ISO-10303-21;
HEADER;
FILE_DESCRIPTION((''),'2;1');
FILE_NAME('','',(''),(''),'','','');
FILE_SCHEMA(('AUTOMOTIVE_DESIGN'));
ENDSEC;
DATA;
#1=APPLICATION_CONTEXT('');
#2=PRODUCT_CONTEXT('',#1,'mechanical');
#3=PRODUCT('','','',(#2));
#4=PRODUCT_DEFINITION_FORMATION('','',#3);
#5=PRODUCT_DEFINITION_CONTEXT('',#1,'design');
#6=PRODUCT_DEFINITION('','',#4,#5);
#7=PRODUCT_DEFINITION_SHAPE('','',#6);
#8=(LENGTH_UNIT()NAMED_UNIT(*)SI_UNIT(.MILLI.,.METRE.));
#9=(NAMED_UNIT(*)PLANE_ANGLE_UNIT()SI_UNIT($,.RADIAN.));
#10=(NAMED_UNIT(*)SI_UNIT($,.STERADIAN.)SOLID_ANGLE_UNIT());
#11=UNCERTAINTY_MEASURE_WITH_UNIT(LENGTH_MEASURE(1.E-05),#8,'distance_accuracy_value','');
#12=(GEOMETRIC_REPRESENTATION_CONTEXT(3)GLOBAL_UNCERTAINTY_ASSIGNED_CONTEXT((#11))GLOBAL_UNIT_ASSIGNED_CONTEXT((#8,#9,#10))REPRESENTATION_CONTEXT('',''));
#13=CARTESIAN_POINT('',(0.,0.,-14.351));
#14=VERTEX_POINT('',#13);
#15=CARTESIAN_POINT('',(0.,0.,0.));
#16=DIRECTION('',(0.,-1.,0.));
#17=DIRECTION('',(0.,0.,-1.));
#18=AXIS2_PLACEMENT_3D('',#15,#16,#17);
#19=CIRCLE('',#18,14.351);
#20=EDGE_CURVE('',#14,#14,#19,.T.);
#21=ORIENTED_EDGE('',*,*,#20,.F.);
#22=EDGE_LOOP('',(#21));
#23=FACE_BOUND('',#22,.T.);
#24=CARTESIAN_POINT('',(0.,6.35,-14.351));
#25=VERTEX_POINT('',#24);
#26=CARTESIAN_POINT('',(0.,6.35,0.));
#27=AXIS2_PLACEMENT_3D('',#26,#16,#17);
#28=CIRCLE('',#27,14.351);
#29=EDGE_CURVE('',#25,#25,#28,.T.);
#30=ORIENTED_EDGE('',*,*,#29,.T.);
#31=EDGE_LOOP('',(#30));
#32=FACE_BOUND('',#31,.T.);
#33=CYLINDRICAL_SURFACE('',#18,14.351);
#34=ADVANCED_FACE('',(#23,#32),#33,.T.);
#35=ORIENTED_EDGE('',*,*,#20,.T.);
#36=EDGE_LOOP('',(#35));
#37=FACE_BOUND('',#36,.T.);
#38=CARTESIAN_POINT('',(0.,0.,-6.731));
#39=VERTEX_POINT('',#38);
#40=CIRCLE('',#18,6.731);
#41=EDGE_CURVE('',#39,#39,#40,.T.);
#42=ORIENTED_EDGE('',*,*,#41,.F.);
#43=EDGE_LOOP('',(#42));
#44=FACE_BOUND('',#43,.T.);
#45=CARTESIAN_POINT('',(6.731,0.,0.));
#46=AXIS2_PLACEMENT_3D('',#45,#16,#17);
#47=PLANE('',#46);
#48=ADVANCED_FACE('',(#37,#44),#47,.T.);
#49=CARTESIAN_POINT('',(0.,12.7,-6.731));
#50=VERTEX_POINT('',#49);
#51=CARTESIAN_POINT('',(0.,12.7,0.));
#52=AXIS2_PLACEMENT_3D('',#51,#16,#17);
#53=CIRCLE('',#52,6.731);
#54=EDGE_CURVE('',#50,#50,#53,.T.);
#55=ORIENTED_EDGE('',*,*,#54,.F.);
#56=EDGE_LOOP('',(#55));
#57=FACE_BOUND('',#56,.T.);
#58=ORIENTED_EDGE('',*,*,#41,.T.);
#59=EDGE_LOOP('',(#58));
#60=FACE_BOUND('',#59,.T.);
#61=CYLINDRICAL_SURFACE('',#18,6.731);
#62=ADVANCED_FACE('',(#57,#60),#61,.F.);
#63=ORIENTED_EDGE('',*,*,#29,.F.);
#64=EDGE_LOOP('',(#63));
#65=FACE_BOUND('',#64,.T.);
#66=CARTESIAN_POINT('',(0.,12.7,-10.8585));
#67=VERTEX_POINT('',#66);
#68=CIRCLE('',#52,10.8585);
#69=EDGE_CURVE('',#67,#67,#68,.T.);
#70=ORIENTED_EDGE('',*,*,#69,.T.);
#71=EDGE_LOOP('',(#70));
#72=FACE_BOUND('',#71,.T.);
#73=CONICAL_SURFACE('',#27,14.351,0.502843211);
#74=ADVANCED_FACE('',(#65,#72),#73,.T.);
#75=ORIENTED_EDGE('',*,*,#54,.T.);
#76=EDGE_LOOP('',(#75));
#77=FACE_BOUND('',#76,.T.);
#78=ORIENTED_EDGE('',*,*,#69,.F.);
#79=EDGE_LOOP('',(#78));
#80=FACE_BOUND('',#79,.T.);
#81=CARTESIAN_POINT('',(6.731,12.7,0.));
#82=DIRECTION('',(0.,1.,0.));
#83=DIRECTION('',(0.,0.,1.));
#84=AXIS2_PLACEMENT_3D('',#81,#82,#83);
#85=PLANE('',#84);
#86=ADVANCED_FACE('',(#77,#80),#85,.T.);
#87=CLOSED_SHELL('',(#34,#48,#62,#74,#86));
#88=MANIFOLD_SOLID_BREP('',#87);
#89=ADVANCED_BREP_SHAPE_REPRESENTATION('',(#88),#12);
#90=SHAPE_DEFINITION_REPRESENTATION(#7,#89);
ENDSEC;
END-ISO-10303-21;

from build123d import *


with BuildPart() as part:
    # Sketch1 → Revolve1 (revolve)
    with BuildSketch(Plane.XY, mode=Mode.PRIVATE) as revolve1_sk:
        Polygon((6.731, 0), (14.351, 0), (14.351, 6.35), (10.8585, 12.7), (6.731, 12.7), align=None)
    revolve(revolve1_sk.sketch.rotate(Axis((0, 0, 0), (0, 1, 0)), 90), axis=Axis((0, 0, 0), (0, 1, 0)))


solid = part.part
